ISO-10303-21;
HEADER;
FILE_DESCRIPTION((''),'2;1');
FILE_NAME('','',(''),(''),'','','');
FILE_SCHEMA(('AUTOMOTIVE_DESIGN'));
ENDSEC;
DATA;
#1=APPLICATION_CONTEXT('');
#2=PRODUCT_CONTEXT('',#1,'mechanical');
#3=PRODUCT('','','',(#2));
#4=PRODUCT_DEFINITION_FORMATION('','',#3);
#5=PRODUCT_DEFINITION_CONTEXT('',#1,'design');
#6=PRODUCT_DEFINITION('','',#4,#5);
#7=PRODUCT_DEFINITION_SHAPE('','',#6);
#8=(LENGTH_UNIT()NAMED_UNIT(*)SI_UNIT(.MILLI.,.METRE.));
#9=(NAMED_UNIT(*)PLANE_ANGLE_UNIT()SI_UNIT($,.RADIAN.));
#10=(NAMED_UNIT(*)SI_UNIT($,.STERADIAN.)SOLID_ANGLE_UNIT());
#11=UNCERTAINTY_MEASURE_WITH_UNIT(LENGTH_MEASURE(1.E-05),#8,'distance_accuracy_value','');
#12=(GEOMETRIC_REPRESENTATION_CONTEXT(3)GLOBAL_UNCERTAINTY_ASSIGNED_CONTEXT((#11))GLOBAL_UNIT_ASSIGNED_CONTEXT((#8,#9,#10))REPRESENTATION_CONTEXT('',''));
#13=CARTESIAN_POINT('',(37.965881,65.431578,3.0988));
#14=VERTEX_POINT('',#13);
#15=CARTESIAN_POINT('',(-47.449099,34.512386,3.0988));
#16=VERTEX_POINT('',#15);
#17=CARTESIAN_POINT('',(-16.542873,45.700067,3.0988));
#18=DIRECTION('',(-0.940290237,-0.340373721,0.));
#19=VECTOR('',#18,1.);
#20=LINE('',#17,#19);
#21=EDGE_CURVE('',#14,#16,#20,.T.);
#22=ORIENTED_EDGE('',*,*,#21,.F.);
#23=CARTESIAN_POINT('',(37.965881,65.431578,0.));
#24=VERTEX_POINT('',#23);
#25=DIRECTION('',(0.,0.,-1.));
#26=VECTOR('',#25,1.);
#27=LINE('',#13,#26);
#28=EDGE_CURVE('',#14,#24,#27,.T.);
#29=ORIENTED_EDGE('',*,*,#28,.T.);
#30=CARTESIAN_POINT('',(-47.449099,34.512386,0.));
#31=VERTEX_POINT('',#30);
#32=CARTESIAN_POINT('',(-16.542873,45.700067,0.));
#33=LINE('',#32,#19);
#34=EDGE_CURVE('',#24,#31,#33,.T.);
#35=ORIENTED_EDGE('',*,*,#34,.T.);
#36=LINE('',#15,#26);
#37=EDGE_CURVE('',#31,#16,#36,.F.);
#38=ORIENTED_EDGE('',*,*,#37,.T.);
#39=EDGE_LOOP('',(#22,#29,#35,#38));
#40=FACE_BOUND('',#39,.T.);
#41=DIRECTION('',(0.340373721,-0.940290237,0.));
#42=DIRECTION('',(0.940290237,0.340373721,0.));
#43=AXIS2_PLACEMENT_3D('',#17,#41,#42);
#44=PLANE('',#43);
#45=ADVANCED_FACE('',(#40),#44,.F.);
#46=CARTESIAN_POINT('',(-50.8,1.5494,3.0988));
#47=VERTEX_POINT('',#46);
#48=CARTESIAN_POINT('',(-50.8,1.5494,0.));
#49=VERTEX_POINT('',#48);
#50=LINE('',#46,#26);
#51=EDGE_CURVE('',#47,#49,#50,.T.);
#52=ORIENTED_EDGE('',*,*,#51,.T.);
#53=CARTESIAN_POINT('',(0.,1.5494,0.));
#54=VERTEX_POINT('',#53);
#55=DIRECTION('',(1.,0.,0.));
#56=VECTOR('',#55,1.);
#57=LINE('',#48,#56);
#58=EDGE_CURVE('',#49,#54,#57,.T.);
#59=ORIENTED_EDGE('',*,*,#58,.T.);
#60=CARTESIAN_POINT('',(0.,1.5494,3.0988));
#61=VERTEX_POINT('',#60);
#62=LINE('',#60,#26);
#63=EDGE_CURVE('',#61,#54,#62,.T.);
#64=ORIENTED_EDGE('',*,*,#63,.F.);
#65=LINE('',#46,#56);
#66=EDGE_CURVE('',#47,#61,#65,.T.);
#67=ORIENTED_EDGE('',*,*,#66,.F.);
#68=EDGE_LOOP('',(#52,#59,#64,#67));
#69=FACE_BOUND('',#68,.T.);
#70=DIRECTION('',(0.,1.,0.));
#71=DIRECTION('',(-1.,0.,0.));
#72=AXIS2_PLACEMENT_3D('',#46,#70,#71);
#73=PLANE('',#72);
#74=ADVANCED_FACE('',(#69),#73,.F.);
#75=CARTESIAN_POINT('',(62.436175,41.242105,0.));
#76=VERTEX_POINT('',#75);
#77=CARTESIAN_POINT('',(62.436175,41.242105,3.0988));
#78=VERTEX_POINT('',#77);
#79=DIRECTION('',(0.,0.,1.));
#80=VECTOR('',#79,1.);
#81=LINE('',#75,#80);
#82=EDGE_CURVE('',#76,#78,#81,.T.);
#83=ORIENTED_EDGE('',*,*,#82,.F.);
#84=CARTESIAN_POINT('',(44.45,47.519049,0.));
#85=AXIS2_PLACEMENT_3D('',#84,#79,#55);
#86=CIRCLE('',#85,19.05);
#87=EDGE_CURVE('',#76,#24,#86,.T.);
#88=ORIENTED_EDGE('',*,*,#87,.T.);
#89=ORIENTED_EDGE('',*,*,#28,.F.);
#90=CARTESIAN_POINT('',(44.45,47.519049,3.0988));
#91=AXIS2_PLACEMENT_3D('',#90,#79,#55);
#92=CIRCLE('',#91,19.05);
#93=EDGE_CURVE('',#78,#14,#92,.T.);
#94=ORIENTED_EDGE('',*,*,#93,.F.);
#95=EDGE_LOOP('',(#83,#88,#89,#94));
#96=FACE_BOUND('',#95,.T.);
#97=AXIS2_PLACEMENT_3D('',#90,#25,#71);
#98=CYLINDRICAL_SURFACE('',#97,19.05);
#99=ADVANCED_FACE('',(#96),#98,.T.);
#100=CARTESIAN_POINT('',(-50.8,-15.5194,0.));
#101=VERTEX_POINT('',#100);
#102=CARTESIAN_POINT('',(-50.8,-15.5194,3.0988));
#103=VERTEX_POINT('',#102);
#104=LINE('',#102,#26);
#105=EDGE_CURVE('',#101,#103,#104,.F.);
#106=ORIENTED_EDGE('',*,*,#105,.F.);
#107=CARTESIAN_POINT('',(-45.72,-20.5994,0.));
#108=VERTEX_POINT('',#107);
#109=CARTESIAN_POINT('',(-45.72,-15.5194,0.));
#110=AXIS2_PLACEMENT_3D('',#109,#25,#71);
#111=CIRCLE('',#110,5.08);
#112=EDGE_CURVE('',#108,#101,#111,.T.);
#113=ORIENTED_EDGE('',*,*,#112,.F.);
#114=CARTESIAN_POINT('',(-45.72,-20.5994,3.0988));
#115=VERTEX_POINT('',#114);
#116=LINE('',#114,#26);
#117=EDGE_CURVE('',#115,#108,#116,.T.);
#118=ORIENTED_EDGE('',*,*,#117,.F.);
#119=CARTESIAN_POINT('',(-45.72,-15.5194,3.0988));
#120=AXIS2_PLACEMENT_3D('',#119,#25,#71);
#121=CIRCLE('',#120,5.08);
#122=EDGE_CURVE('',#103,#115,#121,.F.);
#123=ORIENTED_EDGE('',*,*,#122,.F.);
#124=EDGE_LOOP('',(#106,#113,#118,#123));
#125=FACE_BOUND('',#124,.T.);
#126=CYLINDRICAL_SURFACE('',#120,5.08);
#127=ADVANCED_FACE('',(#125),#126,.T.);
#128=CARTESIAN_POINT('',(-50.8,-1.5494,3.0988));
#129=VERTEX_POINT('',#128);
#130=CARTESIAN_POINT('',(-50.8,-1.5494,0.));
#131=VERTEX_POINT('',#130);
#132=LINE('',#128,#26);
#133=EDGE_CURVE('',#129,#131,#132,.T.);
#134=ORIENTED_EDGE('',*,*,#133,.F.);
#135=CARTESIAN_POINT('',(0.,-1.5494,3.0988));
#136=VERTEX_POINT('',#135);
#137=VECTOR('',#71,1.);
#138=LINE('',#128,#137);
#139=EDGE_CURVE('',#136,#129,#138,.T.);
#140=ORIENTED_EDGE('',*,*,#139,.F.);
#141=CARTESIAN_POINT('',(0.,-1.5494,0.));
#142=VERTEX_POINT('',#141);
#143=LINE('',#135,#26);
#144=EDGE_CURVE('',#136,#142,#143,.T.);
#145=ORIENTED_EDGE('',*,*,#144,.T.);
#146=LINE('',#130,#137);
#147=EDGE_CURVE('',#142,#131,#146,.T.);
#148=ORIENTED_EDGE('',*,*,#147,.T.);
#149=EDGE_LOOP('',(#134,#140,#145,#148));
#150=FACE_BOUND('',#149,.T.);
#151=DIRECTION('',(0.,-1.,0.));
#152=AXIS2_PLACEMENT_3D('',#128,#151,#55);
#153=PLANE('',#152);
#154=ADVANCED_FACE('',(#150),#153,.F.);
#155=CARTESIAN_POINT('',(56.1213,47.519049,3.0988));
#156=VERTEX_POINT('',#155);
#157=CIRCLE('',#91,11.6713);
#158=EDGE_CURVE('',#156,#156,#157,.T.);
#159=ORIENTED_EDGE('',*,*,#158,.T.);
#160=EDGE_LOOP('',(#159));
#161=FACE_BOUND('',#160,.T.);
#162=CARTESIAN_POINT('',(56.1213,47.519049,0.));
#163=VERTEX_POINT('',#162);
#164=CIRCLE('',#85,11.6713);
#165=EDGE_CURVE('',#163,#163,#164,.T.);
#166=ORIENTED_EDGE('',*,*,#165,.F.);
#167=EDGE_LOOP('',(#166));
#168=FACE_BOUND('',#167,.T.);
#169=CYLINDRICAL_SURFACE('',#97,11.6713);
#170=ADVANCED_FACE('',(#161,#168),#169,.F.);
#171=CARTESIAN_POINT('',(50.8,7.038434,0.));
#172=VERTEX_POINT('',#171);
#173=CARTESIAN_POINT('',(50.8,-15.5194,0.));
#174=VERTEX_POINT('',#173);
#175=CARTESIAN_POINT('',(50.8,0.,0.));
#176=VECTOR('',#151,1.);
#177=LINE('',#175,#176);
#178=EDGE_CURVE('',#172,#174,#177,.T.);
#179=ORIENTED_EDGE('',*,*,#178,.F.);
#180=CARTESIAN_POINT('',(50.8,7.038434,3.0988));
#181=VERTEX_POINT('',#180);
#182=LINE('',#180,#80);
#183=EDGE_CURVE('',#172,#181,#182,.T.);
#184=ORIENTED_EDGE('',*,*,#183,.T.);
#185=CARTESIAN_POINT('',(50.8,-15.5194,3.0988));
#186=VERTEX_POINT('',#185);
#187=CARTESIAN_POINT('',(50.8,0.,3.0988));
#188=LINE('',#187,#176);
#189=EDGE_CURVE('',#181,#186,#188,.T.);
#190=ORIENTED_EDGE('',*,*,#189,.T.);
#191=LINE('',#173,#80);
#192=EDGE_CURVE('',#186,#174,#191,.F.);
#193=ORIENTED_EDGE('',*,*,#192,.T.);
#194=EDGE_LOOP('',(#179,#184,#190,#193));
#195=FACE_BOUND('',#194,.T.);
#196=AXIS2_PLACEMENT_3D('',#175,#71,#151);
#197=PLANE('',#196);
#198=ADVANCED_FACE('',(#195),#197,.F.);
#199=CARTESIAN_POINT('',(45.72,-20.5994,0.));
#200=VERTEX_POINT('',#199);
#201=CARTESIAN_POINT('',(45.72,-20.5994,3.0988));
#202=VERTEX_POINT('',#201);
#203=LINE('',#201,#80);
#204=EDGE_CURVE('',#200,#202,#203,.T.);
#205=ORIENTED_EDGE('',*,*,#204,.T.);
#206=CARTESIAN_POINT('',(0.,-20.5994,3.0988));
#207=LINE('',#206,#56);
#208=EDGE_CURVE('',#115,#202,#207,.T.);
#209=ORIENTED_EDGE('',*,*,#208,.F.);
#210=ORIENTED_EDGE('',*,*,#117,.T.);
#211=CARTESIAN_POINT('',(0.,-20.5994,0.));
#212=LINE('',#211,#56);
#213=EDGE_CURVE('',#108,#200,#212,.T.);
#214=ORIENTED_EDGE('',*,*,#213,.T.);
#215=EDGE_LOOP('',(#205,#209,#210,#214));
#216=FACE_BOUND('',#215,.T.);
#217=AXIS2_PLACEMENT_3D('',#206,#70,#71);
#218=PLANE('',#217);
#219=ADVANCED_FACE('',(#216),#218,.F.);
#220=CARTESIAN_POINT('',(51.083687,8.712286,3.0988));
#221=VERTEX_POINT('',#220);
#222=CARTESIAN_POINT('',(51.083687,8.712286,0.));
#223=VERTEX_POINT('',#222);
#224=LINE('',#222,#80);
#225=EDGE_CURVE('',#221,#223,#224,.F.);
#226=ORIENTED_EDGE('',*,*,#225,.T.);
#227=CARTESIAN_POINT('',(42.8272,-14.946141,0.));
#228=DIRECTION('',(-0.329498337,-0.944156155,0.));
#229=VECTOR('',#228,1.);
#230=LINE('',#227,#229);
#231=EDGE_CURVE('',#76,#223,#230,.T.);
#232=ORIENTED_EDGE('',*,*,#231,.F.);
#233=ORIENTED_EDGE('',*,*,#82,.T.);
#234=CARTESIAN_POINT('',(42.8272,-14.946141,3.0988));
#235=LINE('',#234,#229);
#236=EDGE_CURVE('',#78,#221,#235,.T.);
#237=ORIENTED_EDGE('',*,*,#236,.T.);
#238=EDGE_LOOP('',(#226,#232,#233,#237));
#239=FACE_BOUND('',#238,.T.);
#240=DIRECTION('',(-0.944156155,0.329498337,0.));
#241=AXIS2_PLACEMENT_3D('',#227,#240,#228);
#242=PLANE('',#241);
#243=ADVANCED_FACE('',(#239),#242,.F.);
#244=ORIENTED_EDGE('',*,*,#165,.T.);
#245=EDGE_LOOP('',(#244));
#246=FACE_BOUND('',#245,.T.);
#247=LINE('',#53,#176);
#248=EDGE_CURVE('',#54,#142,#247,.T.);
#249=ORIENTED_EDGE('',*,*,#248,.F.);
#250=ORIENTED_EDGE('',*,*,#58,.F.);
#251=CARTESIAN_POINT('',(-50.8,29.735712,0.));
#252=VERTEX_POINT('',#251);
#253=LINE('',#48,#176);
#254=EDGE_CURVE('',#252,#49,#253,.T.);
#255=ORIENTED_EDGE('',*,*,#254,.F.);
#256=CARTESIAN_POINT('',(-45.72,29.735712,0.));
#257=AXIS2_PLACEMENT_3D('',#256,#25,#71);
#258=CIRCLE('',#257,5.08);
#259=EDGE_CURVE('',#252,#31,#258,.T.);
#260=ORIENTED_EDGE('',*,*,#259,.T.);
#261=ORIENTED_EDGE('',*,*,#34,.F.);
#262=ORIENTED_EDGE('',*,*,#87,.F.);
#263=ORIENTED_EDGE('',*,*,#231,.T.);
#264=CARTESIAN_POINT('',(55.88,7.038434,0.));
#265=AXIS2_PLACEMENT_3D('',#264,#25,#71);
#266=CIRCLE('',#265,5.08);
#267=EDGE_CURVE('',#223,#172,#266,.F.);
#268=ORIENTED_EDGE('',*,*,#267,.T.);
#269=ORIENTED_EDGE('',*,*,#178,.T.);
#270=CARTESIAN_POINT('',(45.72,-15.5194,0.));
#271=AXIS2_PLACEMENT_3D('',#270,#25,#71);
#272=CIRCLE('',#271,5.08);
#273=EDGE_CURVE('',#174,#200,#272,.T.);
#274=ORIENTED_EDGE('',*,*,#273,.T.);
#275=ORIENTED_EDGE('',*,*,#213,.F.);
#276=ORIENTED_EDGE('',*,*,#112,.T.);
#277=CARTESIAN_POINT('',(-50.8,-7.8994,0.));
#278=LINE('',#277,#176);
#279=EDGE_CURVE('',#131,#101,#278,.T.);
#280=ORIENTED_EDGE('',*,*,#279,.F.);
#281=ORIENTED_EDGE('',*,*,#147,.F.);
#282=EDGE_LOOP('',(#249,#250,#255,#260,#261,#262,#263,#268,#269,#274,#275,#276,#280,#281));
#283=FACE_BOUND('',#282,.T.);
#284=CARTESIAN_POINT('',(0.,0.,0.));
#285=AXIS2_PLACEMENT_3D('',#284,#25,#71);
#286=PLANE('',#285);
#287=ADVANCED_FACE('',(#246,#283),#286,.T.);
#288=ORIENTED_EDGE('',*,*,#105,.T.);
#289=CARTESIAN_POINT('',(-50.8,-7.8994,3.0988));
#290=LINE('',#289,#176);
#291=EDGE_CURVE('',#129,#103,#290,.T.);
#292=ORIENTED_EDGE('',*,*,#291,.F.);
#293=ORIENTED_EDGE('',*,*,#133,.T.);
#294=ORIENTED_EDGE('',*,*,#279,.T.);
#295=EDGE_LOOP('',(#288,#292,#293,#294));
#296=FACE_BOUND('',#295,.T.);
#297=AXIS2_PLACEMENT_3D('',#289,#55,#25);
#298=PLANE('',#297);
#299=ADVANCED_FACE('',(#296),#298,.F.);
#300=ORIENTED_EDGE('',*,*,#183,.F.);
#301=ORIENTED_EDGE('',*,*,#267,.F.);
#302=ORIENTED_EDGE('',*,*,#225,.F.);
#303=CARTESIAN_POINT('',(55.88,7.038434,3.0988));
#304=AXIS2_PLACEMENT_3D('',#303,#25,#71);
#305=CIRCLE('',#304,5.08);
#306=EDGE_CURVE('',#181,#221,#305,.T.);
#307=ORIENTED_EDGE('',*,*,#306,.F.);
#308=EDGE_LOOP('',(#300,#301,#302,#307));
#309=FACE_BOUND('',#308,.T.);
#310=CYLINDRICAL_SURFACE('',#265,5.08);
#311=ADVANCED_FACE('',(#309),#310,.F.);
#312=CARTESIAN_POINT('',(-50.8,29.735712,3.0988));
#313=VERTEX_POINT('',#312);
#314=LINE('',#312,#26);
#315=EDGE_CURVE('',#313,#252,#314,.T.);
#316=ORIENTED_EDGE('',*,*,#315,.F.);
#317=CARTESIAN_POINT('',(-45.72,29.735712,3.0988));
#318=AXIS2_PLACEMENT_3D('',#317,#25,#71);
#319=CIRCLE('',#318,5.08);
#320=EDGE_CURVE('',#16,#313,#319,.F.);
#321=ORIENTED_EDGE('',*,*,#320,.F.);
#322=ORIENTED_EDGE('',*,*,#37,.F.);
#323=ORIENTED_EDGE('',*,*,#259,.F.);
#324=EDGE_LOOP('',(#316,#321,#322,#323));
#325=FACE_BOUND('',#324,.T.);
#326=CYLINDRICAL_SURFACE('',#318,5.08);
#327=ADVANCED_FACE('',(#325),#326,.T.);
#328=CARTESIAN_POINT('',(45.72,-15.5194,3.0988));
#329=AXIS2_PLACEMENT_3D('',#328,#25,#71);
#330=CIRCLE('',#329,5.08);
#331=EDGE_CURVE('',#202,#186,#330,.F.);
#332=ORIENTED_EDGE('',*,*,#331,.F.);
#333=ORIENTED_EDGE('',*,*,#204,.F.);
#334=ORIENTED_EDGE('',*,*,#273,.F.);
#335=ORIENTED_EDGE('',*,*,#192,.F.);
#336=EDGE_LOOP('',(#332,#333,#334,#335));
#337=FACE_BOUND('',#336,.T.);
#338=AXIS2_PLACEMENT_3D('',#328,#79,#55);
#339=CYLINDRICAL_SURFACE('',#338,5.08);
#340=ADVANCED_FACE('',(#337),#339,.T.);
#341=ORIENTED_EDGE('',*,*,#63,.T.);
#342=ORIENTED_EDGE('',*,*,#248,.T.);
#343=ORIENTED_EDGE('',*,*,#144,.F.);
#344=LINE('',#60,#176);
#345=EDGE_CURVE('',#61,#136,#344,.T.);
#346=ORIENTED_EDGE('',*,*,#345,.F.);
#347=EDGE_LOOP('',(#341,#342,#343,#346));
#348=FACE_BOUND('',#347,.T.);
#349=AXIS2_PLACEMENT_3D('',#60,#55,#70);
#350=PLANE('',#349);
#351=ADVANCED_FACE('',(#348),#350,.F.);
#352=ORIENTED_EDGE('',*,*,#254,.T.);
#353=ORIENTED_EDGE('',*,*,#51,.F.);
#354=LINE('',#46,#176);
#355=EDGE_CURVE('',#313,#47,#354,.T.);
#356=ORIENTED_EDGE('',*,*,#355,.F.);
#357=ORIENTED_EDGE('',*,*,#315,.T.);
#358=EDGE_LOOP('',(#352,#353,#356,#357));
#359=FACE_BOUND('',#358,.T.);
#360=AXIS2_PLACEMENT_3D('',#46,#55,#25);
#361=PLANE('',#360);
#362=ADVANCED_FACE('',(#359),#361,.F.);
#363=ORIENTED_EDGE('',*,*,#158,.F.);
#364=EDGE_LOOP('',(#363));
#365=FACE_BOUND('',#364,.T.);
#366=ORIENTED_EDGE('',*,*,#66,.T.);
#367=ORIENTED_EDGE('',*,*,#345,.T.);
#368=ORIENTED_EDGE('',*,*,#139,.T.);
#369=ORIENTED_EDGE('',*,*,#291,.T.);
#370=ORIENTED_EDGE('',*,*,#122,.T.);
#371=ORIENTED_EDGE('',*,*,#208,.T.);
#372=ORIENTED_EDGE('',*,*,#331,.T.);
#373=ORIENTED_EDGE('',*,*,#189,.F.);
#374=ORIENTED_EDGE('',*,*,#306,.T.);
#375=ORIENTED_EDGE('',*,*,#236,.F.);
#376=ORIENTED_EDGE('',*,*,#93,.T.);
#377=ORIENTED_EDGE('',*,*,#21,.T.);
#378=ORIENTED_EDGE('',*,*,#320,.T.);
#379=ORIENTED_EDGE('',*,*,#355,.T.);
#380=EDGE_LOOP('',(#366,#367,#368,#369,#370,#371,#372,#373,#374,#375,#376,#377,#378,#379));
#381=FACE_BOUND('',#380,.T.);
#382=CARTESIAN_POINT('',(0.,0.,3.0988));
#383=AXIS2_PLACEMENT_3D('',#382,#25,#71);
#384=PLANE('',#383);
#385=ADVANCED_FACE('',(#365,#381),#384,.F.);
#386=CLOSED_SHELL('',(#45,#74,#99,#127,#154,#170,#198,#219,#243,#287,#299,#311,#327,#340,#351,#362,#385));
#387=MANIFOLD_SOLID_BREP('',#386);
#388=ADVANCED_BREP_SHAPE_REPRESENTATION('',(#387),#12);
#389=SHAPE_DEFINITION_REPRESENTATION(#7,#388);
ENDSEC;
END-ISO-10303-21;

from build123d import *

# Parameters (mm, degrees)
BOSS_EXTRUDE1_DEPTH = 3.0988
SKETCH3_R           = 1.0795
SKETCH3_R_2         = 11.6713
BOSS_EXTRUDE2_DEPTH = 3.0988
SKETCH4_R           = 1.0795
CUT_EXTRUDE1_DEPTH  = 122.505558808
FILLET1_R           = 5.08


with BuildPart() as part:
    # Sketch2 → Boss-Extrude1 (new body)
    with BuildSketch(Plane.XY):
        Polygon((-50.8, 1.5494), (-50.8, 7.8994), (50.8, 7.8994), (50.8, -7.8994), (-50.8, -7.8994), (-50.8, -1.5494), (0, -1.5494), (0, 1.5494), align=None)
    extrude(amount=BOSS_EXTRUDE1_DEPTH)

    # Sketch3 → Boss-Extrude2 (add)
    with BuildSketch(Plane.XY):
        with BuildLine():
            Line((50.8, -7.8994), (-50.8, -7.8994))
            Line((-50.8, -7.8994), (-50.8, -20.5994))
            Line((-50.8, -20.5994), (101.6, -20.5994))
            Line((101.6, -20.5994), (101.6, 33.2994))
            Line((101.6, 33.2994), (54.782161872, 63.523702231))
            ThreePointArc((54.782161872, 63.523702231), (46.597523005, 66.447615713), (37.96588061, 65.431577828))
            Line((37.96588061, 65.431577828), (-50.8, 33.2994))
            Line((-50.8, 33.2994), (-50.8, 7.8994))
            Line((-50.8, 7.8994), (50.8, 7.8994))
            Line((50.8, 7.8994), (50.8, -7.8994))
        make_face()
        with Locations((76.2, 0)):
            Circle(SKETCH3_R, mode=Mode.SUBTRACT)
        with Locations((44.45, 47.519048812)):
            Circle(SKETCH3_R_2, mode=Mode.SUBTRACT)
    extrude(amount=BOSS_EXTRUDE2_DEPTH)

    # Sketch4 → Cut-Extrude1 (cut, through all)
    with BuildSketch(Plane.XY.offset(3.0988)):
        with BuildLine():
            ThreePointArc((63.5, 47.519048812), (63.232160807, 44.33582161), (62.436174759, 41.242105484))
            Line((62.436174759, 41.242105484), (50.8, 7.8994))
            Line((50.8, 7.8994), (50.8, -20.5994))
            Line((50.8, -20.5994), (101.6, -20.5994))
            Line((101.6, -20.5994), (101.6, 33.2994))
            Line((101.6, 33.2994), (54.782161872, 63.523702231))
            ThreePointArc((54.782161872, 63.523702231), (61.179168892, 56.6315352), (63.5, 47.519048812))
        make_face()
        with Locations((76.2, 0)):
            Circle(SKETCH4_R, mode=Mode.SUBTRACT)
    extrude(amount=-CUT_EXTRUDE1_DEPTH, mode=Mode.SUBTRACT)

    # Fillet1
    fillet1_edges = [part.edges().sort_by_distance(p)[0] for p in [
        (-50.8, -20.5994, 1.5494),
        (-50.8, 33.2994, 1.5494),
        (50.8, 7.8994, 1.5494),
        (50.8, -20.5994, 1.5494),
    ]]
    fillet(fillet1_edges, radius=FILLET1_R)


solid = part.part
